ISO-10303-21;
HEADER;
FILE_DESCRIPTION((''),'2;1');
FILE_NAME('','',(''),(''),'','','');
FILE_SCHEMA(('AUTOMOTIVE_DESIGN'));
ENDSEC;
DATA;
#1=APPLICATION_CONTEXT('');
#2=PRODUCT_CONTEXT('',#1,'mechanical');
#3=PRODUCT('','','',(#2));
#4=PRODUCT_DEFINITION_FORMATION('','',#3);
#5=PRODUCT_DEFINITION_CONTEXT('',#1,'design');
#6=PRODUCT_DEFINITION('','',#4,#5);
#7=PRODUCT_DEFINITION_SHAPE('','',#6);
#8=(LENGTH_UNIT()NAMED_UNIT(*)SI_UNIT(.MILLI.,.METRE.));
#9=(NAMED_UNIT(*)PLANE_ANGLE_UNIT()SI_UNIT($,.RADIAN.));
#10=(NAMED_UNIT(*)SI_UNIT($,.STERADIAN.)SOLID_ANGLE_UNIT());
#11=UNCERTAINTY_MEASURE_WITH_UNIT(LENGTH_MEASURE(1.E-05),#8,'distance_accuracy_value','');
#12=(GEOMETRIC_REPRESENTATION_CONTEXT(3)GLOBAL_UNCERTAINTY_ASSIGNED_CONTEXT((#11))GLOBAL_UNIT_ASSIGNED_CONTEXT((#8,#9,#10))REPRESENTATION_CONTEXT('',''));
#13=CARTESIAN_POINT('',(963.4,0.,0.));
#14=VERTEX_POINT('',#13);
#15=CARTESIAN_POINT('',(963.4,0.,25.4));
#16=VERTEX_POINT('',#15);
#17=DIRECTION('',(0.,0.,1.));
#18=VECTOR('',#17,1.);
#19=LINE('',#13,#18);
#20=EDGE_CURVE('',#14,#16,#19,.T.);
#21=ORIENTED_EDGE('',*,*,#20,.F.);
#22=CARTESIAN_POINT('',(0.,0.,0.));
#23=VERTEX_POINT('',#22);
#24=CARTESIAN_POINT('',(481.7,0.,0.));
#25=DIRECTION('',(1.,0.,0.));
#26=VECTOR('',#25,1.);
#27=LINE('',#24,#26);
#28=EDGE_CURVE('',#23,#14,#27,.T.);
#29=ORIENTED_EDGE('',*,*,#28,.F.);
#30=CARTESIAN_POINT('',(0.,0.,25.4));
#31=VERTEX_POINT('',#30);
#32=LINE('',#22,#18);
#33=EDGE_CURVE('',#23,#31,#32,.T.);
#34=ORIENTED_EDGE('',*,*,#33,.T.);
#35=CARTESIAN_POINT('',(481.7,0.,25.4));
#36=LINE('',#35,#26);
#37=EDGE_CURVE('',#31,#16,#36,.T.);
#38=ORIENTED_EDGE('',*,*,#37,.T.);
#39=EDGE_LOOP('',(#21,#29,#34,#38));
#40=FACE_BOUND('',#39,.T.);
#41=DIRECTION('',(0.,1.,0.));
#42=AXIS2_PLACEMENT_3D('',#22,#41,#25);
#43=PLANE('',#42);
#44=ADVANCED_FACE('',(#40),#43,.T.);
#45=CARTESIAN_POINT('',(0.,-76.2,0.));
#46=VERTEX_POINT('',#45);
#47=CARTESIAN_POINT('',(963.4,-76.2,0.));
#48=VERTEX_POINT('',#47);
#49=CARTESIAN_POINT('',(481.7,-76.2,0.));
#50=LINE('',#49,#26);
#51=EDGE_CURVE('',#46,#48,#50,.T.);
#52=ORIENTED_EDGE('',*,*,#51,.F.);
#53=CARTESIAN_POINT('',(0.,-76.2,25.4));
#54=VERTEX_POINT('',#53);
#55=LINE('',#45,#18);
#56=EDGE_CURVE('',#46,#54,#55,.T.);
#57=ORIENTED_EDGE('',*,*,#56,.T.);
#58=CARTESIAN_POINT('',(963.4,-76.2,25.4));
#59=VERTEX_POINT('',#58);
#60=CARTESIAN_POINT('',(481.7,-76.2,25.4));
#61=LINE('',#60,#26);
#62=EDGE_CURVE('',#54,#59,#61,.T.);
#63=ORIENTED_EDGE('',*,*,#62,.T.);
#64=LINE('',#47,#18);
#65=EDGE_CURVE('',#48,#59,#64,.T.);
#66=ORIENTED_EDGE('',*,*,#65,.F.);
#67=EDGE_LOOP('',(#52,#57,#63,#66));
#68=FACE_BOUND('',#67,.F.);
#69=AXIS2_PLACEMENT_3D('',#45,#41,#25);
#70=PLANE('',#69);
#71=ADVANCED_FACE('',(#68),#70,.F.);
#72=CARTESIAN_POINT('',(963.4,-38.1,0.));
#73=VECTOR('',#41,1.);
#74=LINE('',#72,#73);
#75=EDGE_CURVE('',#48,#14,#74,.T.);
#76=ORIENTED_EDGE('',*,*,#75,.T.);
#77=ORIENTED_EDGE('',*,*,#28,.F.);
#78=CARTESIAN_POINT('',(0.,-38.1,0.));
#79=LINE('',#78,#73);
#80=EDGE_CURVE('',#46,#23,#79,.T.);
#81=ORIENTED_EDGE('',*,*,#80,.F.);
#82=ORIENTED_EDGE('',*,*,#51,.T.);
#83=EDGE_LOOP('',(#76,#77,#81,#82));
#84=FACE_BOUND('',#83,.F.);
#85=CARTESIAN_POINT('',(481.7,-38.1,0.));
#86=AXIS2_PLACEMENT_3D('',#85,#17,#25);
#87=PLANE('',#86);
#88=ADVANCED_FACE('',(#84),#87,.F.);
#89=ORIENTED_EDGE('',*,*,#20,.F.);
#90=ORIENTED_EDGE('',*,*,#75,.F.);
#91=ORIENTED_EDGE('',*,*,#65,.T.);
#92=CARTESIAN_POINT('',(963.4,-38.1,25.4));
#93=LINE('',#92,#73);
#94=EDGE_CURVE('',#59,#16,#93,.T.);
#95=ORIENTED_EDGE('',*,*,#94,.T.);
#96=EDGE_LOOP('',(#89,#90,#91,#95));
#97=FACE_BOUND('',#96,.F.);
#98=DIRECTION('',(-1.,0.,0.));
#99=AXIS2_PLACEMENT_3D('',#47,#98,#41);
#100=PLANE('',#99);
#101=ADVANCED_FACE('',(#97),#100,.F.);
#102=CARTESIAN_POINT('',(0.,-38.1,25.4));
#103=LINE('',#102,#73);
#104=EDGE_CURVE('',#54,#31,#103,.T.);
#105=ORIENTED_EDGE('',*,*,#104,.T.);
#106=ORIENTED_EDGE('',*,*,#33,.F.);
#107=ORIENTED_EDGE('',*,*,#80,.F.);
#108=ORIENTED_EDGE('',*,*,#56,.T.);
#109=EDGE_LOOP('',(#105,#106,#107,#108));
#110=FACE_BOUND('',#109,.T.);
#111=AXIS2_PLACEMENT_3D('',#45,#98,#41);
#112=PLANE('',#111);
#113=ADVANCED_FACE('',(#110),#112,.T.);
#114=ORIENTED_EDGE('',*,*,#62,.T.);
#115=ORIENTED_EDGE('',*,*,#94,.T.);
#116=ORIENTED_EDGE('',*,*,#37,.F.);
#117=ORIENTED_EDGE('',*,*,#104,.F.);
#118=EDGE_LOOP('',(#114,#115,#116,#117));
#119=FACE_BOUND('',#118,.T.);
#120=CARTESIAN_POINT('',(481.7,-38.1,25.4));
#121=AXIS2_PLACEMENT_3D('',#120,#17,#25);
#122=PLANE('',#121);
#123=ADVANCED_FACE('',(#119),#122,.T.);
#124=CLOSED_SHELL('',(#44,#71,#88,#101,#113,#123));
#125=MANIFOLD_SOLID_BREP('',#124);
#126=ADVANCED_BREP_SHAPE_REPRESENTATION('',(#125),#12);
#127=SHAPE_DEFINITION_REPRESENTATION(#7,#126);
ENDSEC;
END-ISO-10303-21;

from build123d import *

# Parameters (mm, degrees)
SKETCH_W  = 963.4
SKETCH_H  = 76.2
PAD_DEPTH = 25.4


with BuildPart() as part:
    # Sketch → Pad (new body)
    with BuildSketch(Plane.XY):
        with Locations((481.7, -38.1)):
            Rectangle(SKETCH_W, SKETCH_H)
    extrude(amount=PAD_DEPTH)


solid = part.part
